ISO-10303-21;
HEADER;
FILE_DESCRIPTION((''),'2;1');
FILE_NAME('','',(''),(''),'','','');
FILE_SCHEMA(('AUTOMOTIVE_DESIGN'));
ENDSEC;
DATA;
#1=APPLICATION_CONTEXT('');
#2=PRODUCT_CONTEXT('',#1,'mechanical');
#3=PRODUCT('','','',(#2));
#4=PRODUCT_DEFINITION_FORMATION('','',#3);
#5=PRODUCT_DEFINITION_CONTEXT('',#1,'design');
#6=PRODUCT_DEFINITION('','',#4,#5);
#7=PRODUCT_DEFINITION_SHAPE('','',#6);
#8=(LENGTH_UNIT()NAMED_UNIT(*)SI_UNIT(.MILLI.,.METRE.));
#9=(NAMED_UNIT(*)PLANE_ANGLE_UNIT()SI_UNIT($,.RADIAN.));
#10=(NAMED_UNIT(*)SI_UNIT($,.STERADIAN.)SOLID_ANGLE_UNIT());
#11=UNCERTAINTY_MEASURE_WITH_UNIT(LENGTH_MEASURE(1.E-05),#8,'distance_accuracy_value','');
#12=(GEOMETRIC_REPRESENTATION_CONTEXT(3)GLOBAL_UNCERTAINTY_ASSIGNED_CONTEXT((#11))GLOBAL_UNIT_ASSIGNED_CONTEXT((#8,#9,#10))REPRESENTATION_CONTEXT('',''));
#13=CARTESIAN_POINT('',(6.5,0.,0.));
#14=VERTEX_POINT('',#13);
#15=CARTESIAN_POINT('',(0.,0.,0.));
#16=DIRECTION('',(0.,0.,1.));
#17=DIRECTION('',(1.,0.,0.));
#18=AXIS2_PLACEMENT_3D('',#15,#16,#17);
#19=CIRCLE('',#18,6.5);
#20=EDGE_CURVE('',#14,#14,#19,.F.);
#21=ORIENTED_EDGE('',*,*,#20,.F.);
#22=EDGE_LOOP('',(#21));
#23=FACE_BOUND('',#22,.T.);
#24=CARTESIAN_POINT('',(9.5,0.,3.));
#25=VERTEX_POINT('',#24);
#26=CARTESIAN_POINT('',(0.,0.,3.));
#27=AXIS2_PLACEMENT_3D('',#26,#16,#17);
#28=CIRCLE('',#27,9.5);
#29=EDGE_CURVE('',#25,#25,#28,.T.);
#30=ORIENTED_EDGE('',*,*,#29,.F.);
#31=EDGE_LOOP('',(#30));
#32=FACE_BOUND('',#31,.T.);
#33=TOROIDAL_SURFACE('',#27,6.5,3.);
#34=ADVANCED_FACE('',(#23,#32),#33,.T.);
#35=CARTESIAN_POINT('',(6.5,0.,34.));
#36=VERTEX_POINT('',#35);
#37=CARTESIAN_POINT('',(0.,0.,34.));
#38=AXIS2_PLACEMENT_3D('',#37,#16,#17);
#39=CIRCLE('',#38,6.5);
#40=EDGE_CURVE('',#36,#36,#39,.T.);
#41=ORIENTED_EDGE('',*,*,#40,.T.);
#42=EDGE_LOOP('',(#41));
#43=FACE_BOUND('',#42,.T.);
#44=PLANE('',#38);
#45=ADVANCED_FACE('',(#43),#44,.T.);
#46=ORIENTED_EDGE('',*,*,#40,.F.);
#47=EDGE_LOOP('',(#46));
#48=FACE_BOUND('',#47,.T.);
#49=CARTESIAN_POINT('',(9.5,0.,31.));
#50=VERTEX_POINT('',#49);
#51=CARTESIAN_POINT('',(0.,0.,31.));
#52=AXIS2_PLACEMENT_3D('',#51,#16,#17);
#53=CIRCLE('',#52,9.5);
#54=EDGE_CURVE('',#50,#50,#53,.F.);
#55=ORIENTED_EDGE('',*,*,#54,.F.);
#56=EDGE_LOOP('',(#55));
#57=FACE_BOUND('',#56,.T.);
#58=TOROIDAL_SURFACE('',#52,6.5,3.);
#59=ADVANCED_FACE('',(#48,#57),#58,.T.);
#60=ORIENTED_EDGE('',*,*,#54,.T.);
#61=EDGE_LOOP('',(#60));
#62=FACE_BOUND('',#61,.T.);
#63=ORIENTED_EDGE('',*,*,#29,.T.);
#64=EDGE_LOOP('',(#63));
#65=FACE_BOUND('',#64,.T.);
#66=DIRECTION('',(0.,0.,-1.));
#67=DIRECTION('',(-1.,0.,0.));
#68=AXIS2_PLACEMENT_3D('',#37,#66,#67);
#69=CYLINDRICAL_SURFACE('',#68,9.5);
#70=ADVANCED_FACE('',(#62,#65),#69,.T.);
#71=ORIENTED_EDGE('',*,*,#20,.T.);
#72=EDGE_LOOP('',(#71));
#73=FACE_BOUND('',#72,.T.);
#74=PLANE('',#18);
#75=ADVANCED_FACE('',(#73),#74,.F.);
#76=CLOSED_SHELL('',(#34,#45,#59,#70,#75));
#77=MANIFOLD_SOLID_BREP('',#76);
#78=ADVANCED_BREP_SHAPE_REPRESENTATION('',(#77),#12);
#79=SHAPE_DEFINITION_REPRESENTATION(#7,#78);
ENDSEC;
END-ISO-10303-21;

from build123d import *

# Parameters (mm, degrees)
SKETCH2_R           = 9.5
BOSS_EXTRUDE1_DEPTH = 34
FILLET1_R           = 3


with BuildPart() as part:
    # Sketch2 → Boss-Extrude1 (new body)
    with BuildSketch(Plane.XY):
        Circle(SKETCH2_R)
    extrude(amount=BOSS_EXTRUDE1_DEPTH)

    # Fillet1
    fillet1_edges = [part.edges().sort_by_distance(p)[0] for p in [
        (-9.5, 0, 0),
        (-9.5, 0, 34),
    ]]
    fillet(fillet1_edges, radius=FILLET1_R)


solid = part.part
